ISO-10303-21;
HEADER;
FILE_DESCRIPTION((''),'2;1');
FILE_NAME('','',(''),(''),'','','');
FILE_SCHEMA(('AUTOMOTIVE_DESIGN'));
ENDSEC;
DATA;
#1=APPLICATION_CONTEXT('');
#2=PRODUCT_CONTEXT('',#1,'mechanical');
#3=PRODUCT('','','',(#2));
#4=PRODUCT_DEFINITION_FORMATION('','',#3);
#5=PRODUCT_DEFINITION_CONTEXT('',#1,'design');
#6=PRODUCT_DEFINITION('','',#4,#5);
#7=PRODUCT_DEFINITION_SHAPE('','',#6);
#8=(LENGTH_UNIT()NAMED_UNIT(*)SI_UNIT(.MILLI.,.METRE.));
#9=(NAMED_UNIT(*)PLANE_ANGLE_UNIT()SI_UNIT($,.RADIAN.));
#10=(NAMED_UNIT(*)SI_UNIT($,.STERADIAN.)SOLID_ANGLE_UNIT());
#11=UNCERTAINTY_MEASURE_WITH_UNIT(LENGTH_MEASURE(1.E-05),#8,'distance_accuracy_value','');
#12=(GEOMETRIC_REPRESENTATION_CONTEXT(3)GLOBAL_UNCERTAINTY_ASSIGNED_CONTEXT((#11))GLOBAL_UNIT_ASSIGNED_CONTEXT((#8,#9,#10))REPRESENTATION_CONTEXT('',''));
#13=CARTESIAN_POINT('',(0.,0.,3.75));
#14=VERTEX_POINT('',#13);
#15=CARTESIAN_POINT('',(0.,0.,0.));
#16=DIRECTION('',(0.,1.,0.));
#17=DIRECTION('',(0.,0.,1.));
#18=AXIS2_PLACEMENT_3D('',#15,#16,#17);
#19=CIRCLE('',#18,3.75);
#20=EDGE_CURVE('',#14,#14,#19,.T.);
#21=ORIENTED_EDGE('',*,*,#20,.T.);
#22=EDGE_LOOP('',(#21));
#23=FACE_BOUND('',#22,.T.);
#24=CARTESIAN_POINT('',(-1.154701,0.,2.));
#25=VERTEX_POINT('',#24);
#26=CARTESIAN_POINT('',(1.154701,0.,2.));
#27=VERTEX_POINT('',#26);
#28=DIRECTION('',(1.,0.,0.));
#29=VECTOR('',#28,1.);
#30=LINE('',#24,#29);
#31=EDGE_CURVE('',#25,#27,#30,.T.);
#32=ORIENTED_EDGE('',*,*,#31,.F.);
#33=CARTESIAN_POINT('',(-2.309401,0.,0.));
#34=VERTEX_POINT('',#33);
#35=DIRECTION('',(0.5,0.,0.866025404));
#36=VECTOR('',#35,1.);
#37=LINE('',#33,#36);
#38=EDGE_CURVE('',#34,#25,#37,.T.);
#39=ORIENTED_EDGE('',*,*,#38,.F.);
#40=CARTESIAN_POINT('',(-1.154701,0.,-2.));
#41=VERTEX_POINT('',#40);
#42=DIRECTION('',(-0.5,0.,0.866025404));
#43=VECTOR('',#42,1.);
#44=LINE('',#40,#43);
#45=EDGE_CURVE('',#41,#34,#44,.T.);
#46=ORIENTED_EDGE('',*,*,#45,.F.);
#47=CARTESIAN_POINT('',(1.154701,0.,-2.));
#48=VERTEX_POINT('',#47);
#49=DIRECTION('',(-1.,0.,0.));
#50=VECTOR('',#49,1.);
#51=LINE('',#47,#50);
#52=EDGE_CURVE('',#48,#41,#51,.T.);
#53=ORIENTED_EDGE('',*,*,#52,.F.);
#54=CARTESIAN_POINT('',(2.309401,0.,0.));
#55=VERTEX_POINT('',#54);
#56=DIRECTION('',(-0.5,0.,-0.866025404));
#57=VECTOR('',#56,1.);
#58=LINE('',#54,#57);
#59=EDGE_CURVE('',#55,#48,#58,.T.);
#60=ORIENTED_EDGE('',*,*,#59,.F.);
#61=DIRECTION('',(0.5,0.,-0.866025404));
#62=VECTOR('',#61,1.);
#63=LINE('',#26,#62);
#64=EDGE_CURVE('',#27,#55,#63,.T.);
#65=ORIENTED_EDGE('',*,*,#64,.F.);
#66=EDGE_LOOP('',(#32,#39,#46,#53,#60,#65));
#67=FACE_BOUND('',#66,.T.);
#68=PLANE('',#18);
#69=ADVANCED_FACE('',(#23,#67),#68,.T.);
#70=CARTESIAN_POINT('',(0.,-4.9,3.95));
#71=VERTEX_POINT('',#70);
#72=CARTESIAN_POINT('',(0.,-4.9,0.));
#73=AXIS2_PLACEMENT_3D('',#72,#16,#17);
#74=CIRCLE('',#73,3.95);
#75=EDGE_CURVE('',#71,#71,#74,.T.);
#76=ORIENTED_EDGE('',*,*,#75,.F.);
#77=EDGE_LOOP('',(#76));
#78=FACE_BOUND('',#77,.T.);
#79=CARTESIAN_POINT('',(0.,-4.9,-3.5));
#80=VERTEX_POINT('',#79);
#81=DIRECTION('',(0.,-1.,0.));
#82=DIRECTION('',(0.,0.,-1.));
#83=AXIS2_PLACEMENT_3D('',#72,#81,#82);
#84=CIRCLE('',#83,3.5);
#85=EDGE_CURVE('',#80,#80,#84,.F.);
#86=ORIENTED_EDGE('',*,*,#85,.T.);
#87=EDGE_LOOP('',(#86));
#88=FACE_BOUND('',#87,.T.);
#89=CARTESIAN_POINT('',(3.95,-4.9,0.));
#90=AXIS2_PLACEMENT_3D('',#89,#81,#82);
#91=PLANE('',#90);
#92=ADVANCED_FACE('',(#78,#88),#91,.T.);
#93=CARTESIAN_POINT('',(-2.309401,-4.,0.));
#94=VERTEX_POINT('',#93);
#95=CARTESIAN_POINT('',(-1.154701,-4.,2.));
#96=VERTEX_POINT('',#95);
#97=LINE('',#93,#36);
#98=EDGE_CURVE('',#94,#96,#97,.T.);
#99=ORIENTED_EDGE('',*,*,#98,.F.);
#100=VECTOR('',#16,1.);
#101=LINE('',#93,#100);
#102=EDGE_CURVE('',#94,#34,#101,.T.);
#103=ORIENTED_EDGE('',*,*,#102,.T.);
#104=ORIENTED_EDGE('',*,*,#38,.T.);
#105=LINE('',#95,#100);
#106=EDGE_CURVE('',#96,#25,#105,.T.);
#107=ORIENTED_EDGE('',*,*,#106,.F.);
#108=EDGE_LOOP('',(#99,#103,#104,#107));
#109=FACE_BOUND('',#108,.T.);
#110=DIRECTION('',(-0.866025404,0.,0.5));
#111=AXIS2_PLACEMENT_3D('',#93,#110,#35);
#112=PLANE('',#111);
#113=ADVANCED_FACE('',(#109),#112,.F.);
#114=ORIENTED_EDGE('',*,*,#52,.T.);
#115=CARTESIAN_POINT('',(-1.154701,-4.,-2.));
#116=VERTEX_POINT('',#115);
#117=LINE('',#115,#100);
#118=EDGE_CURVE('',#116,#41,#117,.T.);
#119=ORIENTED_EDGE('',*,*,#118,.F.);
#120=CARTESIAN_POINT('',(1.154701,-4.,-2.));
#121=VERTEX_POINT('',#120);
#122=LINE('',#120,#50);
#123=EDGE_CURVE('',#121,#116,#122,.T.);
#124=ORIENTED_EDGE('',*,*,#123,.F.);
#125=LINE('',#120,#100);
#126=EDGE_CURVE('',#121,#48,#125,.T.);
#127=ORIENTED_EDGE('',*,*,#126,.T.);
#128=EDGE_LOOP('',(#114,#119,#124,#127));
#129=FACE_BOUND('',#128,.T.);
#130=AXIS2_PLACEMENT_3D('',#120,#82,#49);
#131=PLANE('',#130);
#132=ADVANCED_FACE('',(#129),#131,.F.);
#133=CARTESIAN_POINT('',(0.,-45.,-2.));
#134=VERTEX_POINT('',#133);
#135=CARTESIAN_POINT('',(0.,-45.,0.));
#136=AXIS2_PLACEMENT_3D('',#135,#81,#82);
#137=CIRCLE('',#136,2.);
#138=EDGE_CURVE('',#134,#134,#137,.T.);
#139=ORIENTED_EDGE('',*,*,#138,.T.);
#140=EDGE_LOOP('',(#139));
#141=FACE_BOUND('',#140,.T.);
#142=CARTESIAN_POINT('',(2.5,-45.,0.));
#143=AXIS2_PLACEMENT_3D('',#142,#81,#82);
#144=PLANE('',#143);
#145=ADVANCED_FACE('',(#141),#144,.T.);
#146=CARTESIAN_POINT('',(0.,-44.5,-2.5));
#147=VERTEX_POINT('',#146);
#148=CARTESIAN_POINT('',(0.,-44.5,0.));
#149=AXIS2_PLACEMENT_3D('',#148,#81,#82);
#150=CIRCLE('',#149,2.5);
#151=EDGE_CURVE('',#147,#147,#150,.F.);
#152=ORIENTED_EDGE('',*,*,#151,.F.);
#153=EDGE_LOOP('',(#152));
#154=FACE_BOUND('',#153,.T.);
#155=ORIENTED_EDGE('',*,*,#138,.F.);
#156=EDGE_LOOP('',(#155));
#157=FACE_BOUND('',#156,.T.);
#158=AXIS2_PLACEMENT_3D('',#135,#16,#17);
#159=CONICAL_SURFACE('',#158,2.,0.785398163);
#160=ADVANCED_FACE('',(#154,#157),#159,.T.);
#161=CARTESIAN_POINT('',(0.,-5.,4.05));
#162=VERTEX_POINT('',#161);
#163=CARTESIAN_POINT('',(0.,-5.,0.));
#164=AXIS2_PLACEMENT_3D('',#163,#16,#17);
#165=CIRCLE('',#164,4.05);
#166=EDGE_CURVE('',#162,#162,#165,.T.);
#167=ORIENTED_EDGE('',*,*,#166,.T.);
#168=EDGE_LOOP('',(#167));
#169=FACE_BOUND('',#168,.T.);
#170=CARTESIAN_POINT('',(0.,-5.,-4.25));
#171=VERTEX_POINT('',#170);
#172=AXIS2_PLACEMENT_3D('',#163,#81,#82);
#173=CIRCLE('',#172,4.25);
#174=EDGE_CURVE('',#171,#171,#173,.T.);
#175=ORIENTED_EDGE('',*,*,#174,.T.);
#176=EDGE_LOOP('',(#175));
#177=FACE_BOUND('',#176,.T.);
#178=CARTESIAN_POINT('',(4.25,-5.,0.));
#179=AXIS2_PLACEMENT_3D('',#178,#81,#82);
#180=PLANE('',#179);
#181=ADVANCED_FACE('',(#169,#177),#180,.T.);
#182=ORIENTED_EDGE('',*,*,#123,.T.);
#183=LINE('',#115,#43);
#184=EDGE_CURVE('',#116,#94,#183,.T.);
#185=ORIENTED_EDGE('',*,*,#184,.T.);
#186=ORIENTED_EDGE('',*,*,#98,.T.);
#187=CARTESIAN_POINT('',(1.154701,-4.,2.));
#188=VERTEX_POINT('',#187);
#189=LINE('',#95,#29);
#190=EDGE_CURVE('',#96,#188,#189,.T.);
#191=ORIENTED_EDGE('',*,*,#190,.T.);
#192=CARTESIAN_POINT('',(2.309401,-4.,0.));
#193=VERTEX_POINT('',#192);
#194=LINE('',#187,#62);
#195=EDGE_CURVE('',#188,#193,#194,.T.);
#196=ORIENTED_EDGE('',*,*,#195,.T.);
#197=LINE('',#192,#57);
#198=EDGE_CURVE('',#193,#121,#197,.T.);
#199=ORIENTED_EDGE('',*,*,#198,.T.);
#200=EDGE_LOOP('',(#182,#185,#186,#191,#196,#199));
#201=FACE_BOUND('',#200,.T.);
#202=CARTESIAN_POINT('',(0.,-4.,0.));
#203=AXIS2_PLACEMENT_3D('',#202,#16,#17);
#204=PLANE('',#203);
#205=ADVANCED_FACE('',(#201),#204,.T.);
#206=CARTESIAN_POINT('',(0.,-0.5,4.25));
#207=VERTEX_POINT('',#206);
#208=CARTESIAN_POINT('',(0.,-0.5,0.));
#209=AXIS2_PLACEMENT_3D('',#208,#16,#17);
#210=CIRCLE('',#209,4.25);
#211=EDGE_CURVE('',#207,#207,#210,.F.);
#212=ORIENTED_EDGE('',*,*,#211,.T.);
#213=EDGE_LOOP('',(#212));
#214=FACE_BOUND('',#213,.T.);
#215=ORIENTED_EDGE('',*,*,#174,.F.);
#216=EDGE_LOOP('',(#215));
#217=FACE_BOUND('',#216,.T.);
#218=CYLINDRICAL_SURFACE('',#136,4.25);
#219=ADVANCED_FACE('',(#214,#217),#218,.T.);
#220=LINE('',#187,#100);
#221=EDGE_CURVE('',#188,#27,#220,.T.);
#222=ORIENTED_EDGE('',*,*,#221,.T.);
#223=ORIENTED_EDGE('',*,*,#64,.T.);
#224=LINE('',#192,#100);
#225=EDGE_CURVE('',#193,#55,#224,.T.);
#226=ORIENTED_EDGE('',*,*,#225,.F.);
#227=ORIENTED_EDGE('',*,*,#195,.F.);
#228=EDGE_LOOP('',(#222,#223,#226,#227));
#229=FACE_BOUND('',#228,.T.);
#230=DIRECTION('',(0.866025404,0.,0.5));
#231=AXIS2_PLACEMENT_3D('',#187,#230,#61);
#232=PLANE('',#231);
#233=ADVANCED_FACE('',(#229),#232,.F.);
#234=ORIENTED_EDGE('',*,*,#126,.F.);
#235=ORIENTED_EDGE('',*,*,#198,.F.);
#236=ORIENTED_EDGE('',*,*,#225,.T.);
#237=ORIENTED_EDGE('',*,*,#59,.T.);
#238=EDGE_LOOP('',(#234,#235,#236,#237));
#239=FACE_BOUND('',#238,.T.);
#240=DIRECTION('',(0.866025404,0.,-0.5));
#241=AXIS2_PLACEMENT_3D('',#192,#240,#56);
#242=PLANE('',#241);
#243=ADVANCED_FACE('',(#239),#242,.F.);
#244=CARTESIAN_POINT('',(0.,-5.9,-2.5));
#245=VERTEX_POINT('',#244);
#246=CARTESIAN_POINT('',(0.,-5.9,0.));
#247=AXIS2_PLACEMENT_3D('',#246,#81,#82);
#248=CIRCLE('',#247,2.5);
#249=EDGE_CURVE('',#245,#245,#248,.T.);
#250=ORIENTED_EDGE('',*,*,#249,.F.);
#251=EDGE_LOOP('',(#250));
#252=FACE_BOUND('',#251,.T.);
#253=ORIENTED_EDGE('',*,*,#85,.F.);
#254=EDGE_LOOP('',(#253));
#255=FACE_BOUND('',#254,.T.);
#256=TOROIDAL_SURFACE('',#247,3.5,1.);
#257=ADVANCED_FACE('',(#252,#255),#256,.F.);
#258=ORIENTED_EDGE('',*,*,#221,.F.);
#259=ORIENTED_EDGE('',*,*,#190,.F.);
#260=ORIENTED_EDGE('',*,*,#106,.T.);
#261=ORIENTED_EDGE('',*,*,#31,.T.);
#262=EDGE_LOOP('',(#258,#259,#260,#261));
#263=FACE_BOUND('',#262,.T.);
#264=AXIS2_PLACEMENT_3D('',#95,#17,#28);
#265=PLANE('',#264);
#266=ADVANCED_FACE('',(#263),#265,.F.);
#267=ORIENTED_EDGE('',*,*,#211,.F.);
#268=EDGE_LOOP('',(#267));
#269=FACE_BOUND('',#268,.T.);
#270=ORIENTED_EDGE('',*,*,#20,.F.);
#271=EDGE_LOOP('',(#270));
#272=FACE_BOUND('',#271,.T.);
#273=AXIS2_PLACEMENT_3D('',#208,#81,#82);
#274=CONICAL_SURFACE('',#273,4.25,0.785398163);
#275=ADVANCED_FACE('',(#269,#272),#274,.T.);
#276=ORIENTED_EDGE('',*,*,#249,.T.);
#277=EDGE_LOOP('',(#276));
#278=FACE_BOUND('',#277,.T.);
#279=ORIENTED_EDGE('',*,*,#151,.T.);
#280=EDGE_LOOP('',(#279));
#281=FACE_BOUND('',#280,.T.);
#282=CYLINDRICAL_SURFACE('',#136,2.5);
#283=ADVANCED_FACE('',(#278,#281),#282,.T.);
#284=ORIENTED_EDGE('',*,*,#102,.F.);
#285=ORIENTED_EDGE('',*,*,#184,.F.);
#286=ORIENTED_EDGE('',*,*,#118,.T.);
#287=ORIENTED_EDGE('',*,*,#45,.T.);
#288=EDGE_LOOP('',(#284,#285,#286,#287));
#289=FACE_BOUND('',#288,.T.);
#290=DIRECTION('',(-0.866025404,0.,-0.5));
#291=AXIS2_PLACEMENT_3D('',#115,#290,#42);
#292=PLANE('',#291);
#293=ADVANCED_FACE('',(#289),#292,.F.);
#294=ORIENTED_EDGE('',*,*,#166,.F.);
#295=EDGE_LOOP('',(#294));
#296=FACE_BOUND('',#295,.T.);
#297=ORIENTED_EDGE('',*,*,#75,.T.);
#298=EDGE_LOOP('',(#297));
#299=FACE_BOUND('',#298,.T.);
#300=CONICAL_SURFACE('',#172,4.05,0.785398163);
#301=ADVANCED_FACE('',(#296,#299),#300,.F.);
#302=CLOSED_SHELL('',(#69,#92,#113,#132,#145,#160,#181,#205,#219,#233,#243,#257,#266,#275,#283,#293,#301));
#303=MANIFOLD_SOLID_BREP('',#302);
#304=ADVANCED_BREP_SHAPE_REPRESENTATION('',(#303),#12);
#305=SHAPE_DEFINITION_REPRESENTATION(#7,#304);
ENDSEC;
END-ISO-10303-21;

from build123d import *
from build123d.topology import SkipClean

# Parameters (mm, degrees)
CHAMFER1_SIZE      = 0.5
FILLET2_R          = 1
CUT_EXTRUDE1_DEPTH = 4


with BuildPart() as part:
    # Sketch1 → Revolve1 (revolve)
    with BuildSketch(Plane.XY, mode=Mode.PRIVATE) as revolve1_sk:
        Polygon((0, 0), (4.25, 0), (4.25, -5), (2.5, -5), (2.5, -45), (0, -45), align=None)
    revolve(revolve1_sk.sketch.rotate(Axis((0, -45, 0), (0, 1, 0)), 90), axis=Axis((0, -45, 0), (0, 1, 0)))

    # Chamfer1
    chamfer1_edges = [part.edges().sort_by_distance(p)[0] for p in [
        (0, -45, 2.5),
        (0, 0, 4.25),
    ]]
    chamfer(chamfer1_edges, length=CHAMFER1_SIZE)

    # Sketch2 → Cut-Revolve1 (revolve, cut)
    with SkipClean():  # the faces are left unmerged after this step: merging them gives an invalid solid
        with BuildSketch(Plane.XY, mode=Mode.PRIVATE) as cut_revolve1_sk:
            Polygon((3.95, -4.9), (2.5, -4.9), (2.5, -5.679573885), (4.05, -5.679573885), (4.05, -5), align=None)
        revolve(cut_revolve1_sk.sketch.rotate(Axis((0, 0, 0), (0, -1, 0)), 90), axis=Axis((0, 0, 0), (0, -1, 0)), mode=Mode.SUBTRACT)

    # Fillet2
    fillet2_edges = [part.edges().sort_by_distance(p)[0] for p in [
        (0, -4.9, -2.5),
    ]]
    fillet(fillet2_edges, radius=FILLET2_R)

    # Sketch3 → Cut-Extrude1 (cut)
    with BuildSketch(Plane(origin=(0, 0, 0), x_dir=(1, 0, 0), z_dir=(0, 1, 0))):
        Polygon((-1.154700538, 2), (-2.309401077, 0), (-1.154700538, -2), (1.154700538, -2), (2.309401077, 0), (1.154700538, 2), align=None)
    extrude(amount=-CUT_EXTRUDE1_DEPTH, mode=Mode.SUBTRACT)


solid = part.part
